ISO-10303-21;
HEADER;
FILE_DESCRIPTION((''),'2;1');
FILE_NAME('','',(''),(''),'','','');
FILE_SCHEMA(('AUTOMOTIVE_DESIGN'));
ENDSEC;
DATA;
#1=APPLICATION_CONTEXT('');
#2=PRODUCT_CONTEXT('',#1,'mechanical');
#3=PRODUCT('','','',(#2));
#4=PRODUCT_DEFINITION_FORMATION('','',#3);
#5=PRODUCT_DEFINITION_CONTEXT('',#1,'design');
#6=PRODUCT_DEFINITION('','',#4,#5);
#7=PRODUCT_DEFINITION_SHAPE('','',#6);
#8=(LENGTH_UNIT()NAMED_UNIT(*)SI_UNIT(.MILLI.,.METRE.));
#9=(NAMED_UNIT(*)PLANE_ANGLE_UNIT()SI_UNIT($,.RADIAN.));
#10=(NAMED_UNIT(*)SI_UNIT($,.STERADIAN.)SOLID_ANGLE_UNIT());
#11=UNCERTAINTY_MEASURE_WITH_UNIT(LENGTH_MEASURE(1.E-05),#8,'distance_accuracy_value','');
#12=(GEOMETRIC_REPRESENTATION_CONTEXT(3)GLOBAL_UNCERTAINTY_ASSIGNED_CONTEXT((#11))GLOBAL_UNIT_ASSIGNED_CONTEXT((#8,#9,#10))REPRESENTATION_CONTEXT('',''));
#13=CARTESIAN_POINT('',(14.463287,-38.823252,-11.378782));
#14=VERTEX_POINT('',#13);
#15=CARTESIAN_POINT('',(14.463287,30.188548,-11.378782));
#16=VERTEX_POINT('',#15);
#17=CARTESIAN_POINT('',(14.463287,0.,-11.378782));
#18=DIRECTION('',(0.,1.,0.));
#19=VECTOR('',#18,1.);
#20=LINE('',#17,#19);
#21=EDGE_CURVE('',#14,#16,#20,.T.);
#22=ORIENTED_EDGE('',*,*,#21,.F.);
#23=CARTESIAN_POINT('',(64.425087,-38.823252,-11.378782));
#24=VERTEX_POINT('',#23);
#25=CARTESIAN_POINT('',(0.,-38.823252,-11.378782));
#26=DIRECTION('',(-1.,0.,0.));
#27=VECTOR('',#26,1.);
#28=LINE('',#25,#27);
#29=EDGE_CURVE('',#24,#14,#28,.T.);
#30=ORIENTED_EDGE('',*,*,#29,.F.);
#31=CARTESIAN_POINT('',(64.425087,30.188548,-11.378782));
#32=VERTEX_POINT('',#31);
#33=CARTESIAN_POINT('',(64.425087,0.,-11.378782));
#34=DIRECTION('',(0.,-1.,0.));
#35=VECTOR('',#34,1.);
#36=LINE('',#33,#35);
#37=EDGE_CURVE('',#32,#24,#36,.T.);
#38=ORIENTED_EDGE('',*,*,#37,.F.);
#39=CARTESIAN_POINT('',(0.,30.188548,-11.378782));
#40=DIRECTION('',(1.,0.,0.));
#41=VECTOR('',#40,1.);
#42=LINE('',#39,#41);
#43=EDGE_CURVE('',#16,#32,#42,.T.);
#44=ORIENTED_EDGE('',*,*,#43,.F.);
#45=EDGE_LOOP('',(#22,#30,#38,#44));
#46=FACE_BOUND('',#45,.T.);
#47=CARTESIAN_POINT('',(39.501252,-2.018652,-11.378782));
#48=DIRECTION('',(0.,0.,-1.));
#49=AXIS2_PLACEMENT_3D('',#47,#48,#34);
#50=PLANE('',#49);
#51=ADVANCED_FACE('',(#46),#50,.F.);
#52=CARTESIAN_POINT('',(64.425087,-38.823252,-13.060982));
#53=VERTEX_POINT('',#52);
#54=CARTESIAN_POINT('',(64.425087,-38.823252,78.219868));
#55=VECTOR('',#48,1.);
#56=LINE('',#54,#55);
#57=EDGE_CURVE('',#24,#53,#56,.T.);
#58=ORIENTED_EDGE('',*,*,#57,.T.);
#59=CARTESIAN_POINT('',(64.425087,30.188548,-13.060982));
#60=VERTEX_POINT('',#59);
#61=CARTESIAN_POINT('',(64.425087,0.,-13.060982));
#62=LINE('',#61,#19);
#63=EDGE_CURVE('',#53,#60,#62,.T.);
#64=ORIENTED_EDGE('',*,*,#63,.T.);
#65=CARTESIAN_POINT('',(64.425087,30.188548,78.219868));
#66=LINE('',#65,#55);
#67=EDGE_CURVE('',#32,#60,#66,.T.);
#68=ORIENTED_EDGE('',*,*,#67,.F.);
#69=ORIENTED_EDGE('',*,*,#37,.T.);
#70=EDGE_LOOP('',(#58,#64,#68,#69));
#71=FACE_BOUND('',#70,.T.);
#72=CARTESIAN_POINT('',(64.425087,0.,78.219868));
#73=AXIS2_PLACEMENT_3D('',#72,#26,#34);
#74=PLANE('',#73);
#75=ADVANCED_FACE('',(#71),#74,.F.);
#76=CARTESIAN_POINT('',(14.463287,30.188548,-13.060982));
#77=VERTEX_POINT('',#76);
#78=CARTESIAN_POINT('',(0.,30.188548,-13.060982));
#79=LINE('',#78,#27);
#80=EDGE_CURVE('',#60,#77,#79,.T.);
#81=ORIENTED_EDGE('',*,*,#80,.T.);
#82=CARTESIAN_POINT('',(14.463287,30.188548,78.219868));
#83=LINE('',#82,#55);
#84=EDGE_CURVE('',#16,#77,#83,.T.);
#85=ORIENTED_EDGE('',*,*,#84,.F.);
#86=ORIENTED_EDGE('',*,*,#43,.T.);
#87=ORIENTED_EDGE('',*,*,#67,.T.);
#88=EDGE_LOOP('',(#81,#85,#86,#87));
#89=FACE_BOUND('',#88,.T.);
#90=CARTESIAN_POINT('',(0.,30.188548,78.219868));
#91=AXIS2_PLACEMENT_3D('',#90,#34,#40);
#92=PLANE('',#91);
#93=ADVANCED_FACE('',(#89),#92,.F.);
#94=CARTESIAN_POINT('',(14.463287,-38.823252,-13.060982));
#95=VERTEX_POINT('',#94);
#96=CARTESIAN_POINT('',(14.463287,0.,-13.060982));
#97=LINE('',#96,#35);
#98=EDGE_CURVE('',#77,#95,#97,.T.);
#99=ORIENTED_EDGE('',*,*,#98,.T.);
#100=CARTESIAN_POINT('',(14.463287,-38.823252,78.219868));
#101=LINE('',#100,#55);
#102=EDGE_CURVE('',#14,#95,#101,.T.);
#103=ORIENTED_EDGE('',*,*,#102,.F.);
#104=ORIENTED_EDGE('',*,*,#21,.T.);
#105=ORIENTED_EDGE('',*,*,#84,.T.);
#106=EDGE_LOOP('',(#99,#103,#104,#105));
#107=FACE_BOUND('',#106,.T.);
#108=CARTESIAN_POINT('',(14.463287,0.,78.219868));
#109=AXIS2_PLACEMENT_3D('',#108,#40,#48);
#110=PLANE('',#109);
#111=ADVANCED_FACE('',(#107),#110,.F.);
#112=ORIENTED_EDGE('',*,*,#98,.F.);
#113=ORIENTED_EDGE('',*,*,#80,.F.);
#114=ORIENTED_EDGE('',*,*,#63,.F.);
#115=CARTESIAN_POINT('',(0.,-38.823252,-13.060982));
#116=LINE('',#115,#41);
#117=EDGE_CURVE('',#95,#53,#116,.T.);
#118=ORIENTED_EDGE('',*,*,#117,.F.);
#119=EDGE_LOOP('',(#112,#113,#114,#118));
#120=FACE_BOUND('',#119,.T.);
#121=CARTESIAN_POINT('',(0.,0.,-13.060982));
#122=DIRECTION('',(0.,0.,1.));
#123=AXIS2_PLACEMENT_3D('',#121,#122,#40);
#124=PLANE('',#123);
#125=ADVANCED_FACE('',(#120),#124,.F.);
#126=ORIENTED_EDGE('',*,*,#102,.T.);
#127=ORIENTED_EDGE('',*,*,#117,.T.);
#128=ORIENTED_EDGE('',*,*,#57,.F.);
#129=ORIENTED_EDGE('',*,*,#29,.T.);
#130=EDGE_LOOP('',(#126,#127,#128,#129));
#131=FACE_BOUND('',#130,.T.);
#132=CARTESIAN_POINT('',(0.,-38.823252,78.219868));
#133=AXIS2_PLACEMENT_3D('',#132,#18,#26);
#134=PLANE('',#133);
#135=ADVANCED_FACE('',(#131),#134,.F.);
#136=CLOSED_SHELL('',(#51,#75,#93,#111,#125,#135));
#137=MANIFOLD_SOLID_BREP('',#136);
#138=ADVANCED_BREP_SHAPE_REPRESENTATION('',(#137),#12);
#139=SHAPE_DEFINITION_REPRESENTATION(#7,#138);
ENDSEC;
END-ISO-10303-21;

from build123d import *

# Parameters (mm, degrees)
BOSS_EXTRUDE1_DEPTH = 1.6822


with BuildPart() as part:
    # Sketch1 → Boss-Extrude1 (new body)
    with BuildSketch(Plane.XY.offset(-13.060981884)):
        Polygon((15.377687466, -37.908851547), (15.377687466, 28.080348453), (23.454887466, 28.080348453), (23.454887466, 30.188548453), (14.463287466, 30.188548453), (14.463287466, -38.823251547), (64.425087466, -38.823251547), (64.425087466, 30.188548453), (55.204887466, 30.188548453), (55.204887466, 28.080348453), (63.510687466, 28.080348453), (63.510687466, -37.908851547), align=None)
        Polygon((55.204887466, 28.080348453), (55.204887466, 30.188548453), (23.454887466, 30.188548453), (23.454887466, 28.080348453), (15.377687466, 28.080348453), (15.377687466, -37.908851547), (63.510687466, -37.908851547), (63.510687466, 28.080348453), align=None)
    extrude(amount=BOSS_EXTRUDE1_DEPTH)


solid = part.part
